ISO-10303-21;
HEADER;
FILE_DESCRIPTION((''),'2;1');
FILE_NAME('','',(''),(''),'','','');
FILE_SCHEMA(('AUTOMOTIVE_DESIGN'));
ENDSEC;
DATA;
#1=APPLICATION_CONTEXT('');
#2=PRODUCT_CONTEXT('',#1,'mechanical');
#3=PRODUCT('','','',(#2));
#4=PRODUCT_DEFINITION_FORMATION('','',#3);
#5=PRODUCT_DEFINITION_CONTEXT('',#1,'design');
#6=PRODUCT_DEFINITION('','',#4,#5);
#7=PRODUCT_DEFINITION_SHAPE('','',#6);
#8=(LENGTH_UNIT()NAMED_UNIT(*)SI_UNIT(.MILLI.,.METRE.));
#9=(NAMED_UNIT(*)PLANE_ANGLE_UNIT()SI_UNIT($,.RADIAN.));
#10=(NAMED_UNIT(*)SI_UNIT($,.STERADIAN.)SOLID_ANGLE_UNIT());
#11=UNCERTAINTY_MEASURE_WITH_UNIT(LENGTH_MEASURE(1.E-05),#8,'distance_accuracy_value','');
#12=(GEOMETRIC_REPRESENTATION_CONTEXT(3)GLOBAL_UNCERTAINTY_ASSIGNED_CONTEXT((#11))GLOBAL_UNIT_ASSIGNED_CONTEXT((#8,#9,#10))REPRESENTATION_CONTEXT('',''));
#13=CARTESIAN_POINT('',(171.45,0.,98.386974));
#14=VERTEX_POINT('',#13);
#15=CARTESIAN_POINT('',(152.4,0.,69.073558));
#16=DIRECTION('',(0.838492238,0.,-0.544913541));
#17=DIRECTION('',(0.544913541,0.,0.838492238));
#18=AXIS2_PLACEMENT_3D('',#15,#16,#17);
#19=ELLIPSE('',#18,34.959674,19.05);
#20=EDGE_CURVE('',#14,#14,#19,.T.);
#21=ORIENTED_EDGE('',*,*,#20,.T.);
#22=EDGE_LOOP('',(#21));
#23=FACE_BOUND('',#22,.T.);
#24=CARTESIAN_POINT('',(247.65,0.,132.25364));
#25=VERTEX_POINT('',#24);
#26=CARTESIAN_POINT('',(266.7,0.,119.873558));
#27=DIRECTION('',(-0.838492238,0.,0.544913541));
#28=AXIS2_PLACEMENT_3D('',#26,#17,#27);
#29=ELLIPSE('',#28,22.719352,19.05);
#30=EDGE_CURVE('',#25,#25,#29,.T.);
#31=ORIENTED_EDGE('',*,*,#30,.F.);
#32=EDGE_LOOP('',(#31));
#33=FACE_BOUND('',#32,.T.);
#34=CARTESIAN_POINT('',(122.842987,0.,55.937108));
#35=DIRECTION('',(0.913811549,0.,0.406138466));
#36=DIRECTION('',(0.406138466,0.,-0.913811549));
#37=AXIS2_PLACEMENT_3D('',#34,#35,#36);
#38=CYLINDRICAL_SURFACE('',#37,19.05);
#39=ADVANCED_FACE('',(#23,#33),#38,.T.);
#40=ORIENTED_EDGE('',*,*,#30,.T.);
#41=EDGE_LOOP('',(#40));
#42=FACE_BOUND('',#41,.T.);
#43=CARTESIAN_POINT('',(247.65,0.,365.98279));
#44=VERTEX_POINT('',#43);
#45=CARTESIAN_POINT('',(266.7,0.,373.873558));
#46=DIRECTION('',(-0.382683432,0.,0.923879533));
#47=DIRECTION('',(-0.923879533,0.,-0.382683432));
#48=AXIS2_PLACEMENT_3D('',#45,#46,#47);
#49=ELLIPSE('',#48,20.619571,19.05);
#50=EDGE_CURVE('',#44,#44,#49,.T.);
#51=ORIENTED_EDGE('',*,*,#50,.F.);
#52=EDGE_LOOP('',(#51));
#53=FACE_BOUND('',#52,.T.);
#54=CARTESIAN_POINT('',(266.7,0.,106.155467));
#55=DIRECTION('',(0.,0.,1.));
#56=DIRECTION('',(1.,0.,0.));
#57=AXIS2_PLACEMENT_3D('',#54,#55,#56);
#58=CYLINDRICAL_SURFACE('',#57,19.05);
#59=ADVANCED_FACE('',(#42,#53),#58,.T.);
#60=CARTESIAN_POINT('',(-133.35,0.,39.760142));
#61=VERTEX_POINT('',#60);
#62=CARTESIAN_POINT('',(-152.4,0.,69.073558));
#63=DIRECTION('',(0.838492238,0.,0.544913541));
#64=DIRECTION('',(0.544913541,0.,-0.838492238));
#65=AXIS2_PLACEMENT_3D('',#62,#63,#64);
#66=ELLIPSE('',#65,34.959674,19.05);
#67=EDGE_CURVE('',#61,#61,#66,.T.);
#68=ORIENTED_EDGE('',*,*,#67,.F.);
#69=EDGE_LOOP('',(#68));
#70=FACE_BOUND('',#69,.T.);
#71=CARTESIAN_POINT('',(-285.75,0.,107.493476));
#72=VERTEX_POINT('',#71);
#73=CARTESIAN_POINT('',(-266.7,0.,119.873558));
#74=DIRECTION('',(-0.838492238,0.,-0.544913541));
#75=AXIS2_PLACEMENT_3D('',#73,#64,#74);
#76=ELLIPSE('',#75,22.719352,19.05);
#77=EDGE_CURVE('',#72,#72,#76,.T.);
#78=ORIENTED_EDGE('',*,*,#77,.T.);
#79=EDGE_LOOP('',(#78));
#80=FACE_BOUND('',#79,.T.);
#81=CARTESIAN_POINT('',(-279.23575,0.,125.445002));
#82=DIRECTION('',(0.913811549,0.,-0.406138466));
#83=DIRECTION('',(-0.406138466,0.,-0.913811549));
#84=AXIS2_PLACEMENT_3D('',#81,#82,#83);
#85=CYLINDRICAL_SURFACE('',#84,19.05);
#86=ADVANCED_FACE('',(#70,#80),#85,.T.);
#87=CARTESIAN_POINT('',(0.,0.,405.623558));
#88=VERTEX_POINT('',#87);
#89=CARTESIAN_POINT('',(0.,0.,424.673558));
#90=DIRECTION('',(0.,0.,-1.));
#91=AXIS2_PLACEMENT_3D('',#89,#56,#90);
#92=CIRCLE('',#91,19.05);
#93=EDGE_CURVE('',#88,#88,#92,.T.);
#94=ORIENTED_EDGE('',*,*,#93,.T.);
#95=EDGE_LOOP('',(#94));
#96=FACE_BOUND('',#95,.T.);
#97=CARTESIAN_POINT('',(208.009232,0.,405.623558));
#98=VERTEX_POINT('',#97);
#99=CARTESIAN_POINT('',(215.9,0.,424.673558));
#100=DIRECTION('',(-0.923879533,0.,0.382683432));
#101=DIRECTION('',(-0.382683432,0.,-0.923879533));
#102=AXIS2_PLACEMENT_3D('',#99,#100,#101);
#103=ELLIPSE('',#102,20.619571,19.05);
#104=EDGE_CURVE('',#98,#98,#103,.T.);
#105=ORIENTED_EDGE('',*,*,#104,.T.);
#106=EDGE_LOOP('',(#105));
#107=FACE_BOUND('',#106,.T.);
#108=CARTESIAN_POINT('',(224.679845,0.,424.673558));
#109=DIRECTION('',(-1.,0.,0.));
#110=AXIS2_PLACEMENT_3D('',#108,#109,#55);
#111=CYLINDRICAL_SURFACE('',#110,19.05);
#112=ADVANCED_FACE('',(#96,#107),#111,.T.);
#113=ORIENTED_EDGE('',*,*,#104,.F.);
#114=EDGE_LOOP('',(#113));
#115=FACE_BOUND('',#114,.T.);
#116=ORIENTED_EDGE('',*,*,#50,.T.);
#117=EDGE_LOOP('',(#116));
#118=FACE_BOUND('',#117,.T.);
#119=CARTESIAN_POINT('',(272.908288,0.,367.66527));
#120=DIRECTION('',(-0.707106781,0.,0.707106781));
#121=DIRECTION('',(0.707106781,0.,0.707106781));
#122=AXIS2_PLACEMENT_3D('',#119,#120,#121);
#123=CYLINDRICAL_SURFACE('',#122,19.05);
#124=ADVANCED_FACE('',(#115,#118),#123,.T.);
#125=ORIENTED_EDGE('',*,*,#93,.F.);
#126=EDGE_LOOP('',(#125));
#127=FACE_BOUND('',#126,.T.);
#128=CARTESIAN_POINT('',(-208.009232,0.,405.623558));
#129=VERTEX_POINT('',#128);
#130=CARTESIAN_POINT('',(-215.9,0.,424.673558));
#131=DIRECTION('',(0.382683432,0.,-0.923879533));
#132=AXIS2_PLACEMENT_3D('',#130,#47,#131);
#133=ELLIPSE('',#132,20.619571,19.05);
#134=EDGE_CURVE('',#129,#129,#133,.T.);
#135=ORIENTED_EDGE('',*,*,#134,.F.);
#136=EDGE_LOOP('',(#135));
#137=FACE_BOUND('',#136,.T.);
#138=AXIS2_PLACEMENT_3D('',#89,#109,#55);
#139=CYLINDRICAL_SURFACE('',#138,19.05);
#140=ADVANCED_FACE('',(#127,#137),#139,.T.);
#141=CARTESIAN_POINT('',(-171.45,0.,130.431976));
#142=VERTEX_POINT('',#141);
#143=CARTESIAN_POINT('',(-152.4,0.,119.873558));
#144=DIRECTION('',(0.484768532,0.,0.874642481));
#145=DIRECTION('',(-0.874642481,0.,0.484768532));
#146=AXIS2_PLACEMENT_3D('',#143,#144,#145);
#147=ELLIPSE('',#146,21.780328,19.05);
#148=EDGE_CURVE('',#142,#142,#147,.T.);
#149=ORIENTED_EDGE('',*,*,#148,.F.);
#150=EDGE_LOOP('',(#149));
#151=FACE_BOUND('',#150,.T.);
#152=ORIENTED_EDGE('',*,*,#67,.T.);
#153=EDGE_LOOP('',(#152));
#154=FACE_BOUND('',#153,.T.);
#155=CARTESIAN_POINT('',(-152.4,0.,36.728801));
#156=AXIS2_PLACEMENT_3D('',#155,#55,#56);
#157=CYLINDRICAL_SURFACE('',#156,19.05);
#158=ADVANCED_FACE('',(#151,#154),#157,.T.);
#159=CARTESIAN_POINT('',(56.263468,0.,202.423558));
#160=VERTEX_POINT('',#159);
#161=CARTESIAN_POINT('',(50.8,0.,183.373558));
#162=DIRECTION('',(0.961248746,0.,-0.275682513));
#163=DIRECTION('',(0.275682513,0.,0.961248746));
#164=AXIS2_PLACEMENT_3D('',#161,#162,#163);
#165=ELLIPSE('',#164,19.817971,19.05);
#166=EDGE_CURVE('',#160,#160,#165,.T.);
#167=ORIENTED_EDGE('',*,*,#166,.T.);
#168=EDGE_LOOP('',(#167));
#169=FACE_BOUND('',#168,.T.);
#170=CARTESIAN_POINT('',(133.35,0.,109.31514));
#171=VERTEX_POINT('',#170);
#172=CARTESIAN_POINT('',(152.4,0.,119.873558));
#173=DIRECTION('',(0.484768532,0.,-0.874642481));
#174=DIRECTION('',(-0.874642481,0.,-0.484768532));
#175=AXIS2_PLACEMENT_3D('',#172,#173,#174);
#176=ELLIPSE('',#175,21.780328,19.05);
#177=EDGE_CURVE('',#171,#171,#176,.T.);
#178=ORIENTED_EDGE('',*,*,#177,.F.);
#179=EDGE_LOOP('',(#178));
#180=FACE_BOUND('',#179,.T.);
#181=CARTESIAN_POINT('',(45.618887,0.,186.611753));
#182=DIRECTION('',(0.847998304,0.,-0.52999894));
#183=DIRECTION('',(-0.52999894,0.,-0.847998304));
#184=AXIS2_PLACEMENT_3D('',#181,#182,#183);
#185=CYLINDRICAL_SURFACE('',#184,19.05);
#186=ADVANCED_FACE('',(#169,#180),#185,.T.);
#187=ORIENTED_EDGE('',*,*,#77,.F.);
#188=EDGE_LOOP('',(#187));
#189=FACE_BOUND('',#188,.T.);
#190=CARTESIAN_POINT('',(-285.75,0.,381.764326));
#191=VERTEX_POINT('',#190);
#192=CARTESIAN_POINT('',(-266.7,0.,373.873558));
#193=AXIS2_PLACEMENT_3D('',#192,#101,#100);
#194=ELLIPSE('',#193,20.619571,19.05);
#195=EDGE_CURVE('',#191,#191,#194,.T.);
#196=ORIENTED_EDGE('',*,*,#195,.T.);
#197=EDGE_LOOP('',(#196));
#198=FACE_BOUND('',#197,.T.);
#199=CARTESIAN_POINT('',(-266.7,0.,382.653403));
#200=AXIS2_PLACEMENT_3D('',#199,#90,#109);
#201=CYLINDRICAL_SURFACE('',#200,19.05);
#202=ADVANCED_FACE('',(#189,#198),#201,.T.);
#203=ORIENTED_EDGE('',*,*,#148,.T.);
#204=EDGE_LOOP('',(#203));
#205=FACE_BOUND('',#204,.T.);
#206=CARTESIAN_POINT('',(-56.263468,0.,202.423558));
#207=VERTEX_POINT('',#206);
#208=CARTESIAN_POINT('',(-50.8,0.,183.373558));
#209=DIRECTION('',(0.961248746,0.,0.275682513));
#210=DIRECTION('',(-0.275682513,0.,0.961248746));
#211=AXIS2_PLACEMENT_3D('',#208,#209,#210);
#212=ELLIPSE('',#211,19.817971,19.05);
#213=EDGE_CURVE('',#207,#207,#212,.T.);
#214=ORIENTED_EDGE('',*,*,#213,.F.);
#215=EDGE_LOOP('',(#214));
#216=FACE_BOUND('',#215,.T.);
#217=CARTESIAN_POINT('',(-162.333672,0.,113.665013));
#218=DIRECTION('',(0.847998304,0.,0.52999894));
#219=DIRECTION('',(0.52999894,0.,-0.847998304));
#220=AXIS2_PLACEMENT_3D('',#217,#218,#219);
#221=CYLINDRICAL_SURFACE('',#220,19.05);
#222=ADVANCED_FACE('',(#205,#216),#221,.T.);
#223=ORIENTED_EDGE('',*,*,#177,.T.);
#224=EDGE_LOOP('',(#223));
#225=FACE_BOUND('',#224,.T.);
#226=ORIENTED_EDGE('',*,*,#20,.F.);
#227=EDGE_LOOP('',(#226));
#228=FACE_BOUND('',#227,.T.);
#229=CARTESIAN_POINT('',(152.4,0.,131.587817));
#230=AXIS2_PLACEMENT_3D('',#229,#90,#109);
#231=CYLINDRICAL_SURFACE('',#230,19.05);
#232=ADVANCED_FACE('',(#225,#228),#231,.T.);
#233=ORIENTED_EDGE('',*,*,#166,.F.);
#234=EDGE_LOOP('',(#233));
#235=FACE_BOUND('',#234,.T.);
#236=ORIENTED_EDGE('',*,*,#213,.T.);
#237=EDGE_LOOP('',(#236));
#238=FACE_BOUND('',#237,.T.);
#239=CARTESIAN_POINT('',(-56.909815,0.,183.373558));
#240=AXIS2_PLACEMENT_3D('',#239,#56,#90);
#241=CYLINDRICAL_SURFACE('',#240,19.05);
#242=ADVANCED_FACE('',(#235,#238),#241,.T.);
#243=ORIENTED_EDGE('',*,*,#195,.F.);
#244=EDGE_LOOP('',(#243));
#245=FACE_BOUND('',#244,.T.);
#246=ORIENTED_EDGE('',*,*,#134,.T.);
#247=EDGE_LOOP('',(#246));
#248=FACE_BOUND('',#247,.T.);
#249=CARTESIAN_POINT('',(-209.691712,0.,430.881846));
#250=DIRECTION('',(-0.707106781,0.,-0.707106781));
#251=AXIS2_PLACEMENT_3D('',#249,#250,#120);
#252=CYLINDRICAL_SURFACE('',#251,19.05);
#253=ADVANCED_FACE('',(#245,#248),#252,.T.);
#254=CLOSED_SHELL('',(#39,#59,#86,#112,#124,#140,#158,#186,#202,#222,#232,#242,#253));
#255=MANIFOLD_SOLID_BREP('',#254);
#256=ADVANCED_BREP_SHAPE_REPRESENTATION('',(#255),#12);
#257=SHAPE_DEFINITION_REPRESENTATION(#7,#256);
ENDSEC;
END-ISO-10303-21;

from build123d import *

# Parameters (mm, degrees)
SKETCH2_R = 19.05


with BuildPart() as part:
    # Sweep1: sweep along a path in Sketch1
    with BuildLine(Plane(origin=(0, 0, 0), x_dir=(1, 0, 0), z_dir=(0, 1, 0))) as sweep1_path:
        Line((-266.7, -373.873558028), (-266.7, -119.873558028))
        Line((-266.7, -119.873558028), (-152.4, -69.073558028))
        Line((-152.4, -69.073558028), (-152.4, -119.873558028))
        Line((-152.4, -119.873558028), (-50.8, -183.373558028))
        Line((-50.8, -183.373558028), (50.8, -183.373558028))
        Line((50.8, -183.373558028), (152.4, -119.873558028))
        Line((152.4, -119.873558028), (152.4, -69.073558028))
        Line((152.4, -69.073558028), (266.7, -119.873558028))
        Line((266.7, -119.873558028), (266.7, -373.873558028))
        Line((266.7, -373.873558028), (215.9, -424.673558028))
        Line((215.9, -424.673558028), (-215.9, -424.673558028))
        Line((-215.9, -424.673558028), (-266.7, -373.873558028))
    # Sketch2 → Sweep1 (sweep)
    with BuildSketch(Plane(origin=(0, 0, 0), x_dir=(0, 0, -1), z_dir=(1, 0, 0))):
        with Locations((-424.673558028, 0)):
            Circle(SKETCH2_R)
    sweep(path=sweep1_path.line, transition=Transition.RIGHT)


solid = part.part
